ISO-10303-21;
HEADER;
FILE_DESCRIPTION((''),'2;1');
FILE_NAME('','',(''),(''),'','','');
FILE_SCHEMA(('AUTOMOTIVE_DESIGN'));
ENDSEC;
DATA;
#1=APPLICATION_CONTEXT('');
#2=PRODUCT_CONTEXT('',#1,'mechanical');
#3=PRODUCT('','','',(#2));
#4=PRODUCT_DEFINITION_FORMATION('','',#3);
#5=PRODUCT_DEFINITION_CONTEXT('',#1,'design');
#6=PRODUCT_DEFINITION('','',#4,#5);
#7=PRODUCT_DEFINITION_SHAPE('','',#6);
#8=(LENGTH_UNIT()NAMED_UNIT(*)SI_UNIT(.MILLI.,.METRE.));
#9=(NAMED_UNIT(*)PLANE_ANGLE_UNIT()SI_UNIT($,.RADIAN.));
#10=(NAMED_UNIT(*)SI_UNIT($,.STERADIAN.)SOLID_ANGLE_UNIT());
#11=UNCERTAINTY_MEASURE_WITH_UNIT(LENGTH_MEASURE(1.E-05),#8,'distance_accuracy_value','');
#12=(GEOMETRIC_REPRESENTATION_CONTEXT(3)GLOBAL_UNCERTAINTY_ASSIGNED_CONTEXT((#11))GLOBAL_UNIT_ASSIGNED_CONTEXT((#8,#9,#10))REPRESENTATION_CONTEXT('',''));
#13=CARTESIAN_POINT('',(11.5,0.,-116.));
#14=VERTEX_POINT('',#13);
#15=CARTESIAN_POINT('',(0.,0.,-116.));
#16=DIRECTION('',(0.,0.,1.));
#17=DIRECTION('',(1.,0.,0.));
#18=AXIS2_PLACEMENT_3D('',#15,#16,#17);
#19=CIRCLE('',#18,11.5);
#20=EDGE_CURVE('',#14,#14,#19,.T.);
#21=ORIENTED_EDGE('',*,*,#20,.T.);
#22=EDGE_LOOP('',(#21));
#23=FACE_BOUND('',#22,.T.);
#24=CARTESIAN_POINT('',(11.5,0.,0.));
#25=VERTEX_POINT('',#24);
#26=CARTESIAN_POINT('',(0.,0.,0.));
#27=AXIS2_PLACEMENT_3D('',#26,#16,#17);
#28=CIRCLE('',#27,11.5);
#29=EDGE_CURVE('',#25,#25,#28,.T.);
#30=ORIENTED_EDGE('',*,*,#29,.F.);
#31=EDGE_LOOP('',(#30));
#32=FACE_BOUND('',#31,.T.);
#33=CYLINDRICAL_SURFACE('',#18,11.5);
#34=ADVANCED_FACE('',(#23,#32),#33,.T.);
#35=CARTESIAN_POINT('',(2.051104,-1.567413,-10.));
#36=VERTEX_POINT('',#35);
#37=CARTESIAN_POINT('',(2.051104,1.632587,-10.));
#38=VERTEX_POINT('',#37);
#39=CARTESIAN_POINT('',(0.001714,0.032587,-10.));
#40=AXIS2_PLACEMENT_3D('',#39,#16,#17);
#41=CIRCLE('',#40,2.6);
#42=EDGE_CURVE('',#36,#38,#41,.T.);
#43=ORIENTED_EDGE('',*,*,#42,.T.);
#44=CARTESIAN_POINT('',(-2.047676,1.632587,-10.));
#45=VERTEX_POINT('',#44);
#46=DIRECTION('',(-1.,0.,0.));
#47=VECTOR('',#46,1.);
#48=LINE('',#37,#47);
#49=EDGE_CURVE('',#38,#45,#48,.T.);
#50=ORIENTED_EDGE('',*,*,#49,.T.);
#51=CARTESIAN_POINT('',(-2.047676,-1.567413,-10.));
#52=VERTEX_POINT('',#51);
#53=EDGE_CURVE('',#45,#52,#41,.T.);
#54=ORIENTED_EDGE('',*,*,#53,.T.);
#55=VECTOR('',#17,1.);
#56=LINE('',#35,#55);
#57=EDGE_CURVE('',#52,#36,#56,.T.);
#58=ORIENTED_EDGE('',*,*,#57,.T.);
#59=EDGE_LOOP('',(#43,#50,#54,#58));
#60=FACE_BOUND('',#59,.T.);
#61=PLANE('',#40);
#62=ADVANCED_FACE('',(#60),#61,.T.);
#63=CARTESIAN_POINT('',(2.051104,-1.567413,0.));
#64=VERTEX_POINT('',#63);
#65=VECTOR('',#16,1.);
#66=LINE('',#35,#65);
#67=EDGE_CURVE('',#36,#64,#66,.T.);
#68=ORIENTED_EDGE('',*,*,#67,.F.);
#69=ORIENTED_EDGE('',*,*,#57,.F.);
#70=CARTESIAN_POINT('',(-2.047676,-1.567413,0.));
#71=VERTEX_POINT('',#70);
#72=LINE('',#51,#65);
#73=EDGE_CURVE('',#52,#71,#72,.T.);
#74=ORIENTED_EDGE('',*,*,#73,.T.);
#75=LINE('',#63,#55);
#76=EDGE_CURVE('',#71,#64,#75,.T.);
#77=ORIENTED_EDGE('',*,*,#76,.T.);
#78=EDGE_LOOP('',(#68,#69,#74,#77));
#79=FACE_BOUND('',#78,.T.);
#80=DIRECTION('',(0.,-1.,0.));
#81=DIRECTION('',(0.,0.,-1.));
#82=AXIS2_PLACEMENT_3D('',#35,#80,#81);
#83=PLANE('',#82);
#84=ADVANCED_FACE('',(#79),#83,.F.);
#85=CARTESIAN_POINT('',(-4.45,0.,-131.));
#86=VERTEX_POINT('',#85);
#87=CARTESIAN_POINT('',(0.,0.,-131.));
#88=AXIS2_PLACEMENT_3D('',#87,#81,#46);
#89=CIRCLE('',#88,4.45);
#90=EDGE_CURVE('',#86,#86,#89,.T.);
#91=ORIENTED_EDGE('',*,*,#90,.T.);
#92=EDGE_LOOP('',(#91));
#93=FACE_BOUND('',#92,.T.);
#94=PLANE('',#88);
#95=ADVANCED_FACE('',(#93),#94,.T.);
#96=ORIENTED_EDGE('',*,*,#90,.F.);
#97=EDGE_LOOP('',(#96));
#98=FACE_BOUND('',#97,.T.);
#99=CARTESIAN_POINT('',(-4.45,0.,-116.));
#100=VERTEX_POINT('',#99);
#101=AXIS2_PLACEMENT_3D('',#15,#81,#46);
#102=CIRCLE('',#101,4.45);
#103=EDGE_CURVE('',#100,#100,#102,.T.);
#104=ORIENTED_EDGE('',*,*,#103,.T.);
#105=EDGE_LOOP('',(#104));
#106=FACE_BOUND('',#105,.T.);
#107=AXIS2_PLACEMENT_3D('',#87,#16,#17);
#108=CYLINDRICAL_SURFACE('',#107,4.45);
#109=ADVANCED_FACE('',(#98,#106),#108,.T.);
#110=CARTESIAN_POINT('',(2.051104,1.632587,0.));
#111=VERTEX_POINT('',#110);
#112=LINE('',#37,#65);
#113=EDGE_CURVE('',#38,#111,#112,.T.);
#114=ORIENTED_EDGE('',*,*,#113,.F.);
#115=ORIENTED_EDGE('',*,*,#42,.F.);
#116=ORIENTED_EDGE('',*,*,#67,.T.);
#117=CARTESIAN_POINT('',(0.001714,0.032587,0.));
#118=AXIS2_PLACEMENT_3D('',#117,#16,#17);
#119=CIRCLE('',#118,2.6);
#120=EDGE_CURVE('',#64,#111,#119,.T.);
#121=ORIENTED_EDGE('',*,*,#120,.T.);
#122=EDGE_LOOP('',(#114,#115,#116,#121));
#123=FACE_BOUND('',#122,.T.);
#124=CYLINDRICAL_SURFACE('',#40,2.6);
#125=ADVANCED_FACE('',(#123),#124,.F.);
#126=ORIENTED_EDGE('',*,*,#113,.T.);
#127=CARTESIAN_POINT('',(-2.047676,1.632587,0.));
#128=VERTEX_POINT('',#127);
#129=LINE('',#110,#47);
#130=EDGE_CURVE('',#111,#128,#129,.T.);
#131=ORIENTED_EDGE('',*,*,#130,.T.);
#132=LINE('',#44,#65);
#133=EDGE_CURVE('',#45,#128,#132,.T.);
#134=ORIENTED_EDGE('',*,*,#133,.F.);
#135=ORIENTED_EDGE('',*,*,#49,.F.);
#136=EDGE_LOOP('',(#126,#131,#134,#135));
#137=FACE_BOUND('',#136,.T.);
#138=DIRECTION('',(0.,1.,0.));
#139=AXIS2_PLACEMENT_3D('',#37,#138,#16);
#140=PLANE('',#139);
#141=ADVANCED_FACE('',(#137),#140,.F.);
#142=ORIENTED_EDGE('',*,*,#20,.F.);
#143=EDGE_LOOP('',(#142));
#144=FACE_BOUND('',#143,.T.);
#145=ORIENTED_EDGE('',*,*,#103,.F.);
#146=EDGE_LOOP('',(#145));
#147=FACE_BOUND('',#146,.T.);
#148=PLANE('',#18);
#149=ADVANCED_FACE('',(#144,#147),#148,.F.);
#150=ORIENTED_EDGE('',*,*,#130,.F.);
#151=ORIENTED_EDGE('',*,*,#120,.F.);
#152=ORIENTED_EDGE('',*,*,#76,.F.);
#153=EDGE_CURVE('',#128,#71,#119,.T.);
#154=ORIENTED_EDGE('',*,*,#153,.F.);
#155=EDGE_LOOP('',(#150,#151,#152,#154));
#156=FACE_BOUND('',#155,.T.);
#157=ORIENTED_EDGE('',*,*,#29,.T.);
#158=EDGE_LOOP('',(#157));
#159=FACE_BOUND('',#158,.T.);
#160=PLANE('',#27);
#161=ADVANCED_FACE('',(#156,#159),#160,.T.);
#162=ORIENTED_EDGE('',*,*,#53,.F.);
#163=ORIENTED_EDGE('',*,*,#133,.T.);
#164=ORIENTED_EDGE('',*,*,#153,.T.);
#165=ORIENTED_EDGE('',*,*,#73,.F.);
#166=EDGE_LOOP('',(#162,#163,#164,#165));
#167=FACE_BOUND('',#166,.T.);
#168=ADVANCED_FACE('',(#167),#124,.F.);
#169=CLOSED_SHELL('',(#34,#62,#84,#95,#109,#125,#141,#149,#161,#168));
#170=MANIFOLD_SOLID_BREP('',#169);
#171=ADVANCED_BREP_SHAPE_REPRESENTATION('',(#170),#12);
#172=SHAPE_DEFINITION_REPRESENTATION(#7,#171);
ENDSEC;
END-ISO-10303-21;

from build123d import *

# Parameters (mm, degrees)
SKETCH2_R           = 11.5
BOSS_EXTRUDE1_DEPTH = 116
SKETCH3_R           = 4.45
BOSS_EXTRUDE2_DEPTH = 15
CUT_EXTRUDE1_DEPTH  = 10


with BuildPart() as part:
    # Sketch2 → Boss-Extrude1 (new body)
    with BuildSketch(Plane.XY):
        Circle(SKETCH2_R)
    extrude(amount=-BOSS_EXTRUDE1_DEPTH)

    # Sketch3 → Boss-Extrude2 (add)
    with BuildSketch(Plane(origin=(0, 0, -116), x_dir=(-1, 0, 0), z_dir=(0, 0, -1))):
        Circle(SKETCH3_R)
    extrude(amount=BOSS_EXTRUDE2_DEPTH)

    # Sketch1 → Cut-Extrude1 (cut)
    with BuildSketch(Plane.XY):
        with BuildLine():
            Line((2.051104302, -1.567413373), (-2.047676004, -1.567413373))
            ThreePointArc((-2.047676004, -1.567413373), (-2.598285851, 0.032586627), (-2.047676004, 1.632586627))
            Line((-2.047676004, 1.632586627), (2.051104302, 1.632586627))
            ThreePointArc((2.051104302, 1.632586627), (2.601714149, 0.032586627), (2.051104302, -1.567413373))
        make_face()
    extrude(amount=-CUT_EXTRUDE1_DEPTH, mode=Mode.SUBTRACT)


solid = part.part
